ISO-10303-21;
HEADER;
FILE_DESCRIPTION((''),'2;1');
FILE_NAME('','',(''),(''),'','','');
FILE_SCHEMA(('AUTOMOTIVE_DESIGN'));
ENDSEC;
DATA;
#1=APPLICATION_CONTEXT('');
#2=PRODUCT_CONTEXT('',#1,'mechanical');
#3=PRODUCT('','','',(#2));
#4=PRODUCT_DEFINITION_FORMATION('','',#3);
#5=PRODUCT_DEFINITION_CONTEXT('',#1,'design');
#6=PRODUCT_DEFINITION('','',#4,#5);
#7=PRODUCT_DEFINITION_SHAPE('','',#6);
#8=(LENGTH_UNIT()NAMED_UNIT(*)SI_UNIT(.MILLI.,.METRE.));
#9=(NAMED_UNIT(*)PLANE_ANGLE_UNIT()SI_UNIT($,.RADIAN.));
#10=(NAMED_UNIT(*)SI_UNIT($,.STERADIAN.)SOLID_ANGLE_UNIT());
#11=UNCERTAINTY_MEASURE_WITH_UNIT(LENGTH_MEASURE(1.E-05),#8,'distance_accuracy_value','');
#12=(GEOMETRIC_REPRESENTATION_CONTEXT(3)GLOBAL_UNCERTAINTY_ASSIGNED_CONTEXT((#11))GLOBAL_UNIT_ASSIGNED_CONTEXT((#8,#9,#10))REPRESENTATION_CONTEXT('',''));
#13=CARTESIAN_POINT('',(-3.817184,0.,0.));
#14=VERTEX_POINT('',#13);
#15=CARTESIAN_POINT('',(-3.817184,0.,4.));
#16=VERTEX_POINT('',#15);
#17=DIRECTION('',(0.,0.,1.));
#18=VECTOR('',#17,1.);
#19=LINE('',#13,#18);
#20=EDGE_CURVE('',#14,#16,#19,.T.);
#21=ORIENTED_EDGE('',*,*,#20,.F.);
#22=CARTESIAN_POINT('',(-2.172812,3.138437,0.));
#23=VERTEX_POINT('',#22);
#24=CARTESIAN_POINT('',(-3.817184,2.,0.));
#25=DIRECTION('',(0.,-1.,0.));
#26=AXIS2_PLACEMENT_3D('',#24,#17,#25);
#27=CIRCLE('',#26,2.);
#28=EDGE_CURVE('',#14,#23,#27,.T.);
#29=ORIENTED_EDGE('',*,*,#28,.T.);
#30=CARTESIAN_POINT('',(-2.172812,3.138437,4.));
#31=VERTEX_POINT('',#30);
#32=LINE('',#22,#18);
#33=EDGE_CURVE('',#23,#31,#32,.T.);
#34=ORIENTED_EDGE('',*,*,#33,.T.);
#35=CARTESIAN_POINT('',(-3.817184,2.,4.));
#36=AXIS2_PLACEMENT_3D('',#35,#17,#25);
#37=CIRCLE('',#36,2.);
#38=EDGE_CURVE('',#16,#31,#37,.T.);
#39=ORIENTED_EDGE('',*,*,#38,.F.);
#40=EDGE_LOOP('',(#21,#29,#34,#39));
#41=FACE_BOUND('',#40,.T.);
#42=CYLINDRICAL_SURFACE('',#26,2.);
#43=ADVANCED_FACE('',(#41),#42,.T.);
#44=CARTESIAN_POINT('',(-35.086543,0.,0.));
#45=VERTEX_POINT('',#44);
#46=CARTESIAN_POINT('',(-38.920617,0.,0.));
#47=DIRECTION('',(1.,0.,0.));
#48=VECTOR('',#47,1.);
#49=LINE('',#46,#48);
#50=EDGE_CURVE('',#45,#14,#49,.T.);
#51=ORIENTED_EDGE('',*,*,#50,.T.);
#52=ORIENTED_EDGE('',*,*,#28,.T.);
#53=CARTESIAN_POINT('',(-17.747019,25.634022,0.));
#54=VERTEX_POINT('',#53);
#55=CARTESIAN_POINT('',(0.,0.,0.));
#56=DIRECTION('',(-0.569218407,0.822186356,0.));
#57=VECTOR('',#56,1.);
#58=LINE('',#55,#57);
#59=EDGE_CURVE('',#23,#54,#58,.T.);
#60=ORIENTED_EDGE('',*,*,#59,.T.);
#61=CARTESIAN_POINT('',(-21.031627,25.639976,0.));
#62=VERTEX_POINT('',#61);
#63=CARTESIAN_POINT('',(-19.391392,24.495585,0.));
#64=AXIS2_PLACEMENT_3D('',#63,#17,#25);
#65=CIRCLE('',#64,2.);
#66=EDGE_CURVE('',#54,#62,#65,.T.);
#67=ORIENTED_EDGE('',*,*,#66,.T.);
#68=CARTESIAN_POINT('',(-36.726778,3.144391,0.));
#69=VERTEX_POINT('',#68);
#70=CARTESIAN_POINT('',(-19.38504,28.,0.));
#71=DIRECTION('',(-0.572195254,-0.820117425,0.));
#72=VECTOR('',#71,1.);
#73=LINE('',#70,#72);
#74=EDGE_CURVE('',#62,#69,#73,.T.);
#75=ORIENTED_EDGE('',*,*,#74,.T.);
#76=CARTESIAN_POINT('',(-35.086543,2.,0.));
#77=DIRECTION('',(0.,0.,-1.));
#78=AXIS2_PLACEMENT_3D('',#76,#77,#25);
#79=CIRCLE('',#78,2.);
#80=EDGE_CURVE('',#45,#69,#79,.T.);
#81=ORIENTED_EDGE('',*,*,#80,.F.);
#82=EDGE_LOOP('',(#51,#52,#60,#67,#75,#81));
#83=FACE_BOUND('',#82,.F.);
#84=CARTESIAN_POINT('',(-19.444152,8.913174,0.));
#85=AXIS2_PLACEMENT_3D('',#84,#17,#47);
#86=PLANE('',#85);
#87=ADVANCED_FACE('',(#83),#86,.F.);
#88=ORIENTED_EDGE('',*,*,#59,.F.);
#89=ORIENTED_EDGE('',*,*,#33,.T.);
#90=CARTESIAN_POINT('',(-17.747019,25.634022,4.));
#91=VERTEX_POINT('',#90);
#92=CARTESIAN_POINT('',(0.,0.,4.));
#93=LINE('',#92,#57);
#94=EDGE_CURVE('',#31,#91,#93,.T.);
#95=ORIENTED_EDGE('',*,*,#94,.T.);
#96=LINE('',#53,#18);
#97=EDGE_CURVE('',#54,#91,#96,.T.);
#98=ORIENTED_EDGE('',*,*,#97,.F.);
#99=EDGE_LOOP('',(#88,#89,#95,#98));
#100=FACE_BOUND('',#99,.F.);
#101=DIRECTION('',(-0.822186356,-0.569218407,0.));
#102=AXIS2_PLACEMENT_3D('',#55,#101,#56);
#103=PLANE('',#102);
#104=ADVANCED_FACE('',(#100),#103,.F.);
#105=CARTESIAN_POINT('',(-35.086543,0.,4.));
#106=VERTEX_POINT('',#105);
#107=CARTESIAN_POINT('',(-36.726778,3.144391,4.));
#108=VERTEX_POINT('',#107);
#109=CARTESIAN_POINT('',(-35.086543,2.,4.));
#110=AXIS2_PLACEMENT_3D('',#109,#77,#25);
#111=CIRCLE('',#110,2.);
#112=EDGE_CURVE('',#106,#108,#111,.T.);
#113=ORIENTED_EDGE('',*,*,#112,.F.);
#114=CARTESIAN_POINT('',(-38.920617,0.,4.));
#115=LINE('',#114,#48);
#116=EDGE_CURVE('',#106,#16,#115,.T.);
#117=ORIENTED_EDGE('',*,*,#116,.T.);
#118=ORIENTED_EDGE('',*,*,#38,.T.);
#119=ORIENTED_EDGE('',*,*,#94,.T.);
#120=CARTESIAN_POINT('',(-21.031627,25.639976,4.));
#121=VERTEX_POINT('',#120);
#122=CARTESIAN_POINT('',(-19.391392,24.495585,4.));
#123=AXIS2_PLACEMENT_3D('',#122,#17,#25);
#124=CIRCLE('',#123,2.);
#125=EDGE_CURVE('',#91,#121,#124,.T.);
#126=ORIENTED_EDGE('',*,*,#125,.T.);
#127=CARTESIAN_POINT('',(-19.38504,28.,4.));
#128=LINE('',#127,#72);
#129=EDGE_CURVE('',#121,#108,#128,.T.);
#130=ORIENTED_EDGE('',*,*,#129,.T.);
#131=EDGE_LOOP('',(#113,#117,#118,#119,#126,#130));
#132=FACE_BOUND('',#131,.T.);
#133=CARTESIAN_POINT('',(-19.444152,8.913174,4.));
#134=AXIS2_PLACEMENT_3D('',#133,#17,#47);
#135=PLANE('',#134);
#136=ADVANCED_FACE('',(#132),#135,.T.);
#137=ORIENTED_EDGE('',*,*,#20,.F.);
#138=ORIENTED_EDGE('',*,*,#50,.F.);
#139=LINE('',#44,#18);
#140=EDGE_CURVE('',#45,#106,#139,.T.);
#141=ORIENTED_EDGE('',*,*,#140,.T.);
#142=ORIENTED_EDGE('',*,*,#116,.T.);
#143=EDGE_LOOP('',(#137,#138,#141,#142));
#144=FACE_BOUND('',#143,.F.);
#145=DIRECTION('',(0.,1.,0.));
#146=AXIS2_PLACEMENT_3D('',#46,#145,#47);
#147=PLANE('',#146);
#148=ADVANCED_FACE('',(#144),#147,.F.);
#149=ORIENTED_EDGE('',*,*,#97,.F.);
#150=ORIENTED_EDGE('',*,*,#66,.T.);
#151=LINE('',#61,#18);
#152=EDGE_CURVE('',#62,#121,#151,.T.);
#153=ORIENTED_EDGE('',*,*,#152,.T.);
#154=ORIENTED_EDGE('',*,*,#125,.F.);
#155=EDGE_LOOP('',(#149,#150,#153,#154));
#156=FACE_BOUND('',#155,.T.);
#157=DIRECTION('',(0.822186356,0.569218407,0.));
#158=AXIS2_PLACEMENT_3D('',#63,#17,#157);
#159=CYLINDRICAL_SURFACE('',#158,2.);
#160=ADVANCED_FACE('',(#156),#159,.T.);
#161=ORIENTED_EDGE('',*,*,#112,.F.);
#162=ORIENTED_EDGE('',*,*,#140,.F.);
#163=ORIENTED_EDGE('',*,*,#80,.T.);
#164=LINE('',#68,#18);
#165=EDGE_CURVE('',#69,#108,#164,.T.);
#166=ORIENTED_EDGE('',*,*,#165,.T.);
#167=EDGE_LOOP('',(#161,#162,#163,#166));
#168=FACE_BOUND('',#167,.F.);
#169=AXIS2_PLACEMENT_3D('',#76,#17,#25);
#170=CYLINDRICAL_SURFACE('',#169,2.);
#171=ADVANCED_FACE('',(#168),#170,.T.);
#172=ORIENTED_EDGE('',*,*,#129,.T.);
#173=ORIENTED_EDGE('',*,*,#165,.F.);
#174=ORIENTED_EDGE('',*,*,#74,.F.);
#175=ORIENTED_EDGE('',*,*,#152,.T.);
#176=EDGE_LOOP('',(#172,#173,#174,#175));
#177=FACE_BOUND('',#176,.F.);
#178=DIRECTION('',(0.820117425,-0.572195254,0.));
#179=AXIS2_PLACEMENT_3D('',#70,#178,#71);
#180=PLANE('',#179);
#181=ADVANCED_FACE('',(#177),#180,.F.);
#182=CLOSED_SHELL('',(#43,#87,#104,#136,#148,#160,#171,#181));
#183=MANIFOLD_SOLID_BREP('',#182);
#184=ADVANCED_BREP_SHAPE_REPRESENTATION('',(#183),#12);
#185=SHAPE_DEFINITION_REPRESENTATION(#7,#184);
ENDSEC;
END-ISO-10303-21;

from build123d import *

# Parameters (mm, degrees)
F1_DEPTH = 4
F2_R     = 2


with BuildPart() as f1:
    # F0 (on Top) → F1 (new body)
    with BuildSketch(Plane.XY):
        Polygon((-38.920617, 0), (0, 0), (-19.38504, 28), align=None)
    extrude(amount=F1_DEPTH)

    # F2
    f2_edges = [f1.edges().sort_by_distance(p)[0] for p in [
        (-19.38504, 28, 2),
        (-38.920617, 0, 2),
        (0, 0, 2),
    ]]
    fillet(f2_edges, radius=F2_R)


solid = f1.part
